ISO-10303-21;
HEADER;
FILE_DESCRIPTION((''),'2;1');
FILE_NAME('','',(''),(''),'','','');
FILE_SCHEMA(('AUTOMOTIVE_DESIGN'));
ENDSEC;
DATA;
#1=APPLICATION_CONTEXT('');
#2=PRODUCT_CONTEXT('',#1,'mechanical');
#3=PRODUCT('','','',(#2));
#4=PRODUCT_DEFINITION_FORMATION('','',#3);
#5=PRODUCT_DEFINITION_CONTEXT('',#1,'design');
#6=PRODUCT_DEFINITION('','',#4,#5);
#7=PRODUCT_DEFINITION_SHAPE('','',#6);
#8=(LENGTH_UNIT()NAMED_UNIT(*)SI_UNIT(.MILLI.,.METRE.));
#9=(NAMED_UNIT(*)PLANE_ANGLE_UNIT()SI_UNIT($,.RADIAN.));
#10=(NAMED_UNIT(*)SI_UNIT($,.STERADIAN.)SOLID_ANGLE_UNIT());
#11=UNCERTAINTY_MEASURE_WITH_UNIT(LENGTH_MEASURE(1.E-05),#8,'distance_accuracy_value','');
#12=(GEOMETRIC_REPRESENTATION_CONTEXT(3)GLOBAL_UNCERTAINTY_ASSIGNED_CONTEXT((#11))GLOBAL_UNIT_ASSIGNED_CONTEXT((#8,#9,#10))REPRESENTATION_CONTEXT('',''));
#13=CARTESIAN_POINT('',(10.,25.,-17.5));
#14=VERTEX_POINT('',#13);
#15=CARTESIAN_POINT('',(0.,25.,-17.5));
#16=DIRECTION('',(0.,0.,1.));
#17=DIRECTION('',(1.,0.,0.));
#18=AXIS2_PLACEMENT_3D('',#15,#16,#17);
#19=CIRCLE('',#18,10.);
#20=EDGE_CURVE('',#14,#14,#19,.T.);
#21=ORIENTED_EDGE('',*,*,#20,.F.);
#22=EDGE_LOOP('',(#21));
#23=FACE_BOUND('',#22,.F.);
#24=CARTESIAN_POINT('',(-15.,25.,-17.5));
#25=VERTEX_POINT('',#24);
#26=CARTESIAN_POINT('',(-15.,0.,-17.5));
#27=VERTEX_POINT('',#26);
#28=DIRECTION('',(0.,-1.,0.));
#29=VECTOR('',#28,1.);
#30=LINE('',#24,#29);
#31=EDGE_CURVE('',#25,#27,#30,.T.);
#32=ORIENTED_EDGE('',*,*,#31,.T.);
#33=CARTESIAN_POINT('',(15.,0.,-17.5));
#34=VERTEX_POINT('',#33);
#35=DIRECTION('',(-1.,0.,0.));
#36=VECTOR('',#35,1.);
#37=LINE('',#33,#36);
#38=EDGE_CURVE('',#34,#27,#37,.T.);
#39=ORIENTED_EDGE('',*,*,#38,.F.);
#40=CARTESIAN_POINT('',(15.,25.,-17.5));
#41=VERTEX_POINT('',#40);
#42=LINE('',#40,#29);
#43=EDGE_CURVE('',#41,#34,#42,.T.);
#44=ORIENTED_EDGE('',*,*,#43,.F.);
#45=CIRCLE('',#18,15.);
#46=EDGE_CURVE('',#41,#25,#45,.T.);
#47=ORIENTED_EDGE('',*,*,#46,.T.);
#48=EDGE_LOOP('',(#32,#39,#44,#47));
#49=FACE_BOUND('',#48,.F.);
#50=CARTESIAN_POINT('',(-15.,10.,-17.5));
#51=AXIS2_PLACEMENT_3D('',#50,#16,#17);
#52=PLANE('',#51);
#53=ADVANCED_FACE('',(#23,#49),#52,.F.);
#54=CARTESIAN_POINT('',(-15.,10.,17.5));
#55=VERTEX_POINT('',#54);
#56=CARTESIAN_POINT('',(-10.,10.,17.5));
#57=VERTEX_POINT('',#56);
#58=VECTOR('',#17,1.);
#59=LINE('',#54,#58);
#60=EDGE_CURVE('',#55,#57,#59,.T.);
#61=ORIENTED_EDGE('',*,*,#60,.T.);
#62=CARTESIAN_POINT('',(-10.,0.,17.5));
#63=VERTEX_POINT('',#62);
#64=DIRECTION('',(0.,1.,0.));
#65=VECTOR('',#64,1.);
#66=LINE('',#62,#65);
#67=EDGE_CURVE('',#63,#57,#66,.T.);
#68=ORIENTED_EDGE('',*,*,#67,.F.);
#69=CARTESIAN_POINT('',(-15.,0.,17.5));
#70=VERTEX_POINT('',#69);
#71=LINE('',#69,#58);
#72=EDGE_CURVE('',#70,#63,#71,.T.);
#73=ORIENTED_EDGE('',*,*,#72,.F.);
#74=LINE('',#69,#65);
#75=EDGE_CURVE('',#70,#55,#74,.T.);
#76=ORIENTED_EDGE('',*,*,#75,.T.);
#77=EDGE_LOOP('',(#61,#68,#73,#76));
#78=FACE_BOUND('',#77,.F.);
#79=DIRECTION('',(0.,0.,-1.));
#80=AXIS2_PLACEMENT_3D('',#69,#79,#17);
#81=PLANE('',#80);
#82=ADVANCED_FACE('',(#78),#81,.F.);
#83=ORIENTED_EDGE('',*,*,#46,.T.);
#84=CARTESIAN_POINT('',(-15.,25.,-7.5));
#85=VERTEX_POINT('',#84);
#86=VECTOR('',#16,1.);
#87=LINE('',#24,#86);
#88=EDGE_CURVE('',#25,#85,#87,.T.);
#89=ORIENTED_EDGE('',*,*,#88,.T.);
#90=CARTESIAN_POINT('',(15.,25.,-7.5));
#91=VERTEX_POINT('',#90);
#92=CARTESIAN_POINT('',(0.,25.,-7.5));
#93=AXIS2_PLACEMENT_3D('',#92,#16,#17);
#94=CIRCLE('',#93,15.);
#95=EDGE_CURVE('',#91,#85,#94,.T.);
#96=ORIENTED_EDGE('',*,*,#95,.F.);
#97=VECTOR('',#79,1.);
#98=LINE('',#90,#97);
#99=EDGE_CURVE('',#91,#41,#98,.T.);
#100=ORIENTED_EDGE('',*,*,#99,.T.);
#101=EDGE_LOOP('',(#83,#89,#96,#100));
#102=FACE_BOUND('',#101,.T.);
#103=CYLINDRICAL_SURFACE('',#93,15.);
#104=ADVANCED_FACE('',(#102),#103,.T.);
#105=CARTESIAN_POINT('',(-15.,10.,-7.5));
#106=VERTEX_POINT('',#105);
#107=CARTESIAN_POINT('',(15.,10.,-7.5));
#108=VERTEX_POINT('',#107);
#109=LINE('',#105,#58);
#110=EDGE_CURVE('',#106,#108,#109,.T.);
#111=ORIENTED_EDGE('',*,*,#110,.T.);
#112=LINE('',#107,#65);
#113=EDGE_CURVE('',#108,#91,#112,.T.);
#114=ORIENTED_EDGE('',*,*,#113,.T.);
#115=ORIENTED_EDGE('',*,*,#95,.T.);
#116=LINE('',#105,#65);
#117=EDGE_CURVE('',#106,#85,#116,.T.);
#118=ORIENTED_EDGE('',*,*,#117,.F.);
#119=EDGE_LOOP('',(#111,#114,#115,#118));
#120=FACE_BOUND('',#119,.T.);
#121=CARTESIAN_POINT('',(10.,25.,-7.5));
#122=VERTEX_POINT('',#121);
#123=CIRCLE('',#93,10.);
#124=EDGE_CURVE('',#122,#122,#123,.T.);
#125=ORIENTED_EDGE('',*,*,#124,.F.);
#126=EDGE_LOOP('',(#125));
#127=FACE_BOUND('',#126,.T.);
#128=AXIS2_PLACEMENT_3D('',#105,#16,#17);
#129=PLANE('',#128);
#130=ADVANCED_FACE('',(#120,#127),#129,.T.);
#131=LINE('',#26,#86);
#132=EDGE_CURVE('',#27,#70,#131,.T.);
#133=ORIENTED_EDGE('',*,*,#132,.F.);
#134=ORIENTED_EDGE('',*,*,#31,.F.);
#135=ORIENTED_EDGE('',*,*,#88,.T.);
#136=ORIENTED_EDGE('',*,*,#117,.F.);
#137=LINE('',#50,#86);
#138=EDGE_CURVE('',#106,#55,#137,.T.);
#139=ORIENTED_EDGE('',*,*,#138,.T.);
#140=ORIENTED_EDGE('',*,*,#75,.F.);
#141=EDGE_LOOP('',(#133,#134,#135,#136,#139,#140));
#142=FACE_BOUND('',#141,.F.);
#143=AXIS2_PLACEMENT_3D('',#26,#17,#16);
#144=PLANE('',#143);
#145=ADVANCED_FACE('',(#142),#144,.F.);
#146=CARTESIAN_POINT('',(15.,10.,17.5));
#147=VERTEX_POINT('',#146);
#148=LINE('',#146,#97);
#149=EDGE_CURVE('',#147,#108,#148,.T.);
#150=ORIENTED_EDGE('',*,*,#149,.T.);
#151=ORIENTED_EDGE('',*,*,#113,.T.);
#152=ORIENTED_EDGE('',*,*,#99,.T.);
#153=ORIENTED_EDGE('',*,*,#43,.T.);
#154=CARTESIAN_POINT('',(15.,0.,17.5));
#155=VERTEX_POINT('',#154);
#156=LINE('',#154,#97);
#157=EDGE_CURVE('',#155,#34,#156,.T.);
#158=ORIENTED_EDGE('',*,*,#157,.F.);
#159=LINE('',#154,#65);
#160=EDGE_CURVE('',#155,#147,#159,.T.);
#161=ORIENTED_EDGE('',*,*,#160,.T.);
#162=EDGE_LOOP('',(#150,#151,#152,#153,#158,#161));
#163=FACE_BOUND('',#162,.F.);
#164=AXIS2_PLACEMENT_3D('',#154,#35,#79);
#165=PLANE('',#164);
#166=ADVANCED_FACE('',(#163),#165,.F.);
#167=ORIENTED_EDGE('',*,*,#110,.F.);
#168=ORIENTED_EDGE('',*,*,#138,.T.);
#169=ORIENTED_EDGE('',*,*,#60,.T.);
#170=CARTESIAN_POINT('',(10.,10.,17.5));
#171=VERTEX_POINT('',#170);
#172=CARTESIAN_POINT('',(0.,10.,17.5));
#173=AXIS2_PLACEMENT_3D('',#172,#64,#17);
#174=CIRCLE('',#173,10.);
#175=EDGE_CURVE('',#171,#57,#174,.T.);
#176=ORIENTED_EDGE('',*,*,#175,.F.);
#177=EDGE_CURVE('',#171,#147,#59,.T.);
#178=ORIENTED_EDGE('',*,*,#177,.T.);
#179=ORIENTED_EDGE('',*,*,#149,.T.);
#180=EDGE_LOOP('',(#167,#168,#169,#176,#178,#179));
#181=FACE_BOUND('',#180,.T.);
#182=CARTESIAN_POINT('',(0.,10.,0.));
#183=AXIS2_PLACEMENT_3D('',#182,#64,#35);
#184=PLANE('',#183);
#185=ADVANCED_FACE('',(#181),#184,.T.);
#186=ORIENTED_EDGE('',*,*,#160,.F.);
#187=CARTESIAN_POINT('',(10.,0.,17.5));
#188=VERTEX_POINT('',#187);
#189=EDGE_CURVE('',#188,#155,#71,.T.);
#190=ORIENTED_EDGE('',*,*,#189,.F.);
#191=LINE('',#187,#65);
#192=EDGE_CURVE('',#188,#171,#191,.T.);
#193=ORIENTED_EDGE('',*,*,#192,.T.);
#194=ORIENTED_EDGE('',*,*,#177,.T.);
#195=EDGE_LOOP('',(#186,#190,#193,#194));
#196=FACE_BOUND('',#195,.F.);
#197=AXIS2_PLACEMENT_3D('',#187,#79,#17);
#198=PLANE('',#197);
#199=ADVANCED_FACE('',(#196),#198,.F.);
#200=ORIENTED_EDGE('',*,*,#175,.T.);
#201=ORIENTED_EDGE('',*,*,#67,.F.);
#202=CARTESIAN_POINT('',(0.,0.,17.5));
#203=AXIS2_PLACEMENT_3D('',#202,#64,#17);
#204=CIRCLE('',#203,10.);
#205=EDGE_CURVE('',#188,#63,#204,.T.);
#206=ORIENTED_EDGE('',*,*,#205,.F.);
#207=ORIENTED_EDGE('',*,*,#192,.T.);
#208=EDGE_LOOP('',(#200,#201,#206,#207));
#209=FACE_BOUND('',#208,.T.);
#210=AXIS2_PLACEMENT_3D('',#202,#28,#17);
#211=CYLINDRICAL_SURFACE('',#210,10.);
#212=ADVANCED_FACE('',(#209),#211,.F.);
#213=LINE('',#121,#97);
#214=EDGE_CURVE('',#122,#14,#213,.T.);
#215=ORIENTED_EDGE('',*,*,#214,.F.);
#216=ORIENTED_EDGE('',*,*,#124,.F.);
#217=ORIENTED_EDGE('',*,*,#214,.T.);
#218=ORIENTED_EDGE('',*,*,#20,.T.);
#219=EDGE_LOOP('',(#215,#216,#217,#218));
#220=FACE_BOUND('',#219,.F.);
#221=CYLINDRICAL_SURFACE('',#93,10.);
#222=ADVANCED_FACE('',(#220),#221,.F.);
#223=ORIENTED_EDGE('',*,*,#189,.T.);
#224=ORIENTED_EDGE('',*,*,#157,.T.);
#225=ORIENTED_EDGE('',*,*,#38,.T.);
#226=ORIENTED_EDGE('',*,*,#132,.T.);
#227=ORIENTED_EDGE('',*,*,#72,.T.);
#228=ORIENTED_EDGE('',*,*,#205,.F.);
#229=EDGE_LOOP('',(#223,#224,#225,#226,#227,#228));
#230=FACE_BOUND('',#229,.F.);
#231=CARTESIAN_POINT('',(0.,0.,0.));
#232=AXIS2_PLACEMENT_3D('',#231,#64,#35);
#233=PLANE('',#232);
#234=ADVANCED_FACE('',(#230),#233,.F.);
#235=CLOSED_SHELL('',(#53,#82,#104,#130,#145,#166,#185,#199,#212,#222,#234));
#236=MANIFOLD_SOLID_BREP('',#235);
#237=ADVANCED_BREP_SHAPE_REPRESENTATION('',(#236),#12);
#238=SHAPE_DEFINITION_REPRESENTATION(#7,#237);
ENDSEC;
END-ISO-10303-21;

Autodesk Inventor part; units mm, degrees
ref_plane "YZ Plane" through (0, 0, 0) normal (1, 0, 0) x (0, 1, 0)
ref_plane "XZ Plane" through (0, 0, 0) normal (0, 1, 0) x (-1, 0, 0)
ref_plane "XY Plane" through (0, 0, 0) normal (0, 0, 1) x (1, 0, 0)
sketch "Sketch1" plane through (0, 0, 0) normal (0, 1, 0) x (-1, 0, 0)
  line L0 (15, 17.5) -> (-15, 17.5)
  line L1 (-15, 17.5) -> (-15, -17.5)
  line L2 (-15, -17.5) -> (15, -17.5)
  line L3 (15, -17.5) -> (15, 17.5)
  line L4 (15, 17.5) -> (-15, -17.5) construction
  line L5 (-15, 17.5) -> (15, -17.5) construction
  arc A0 (-10, 17.5) -> (10, 17.5) centre (0, 17.5) ccw
  point P0 (0, 0)
  dimension "d0" = 30
  dimension "d1" = 35
  dimension "d2" = 20
extrude "Extrusion1" add sketch "Sketch1" along normal blind 10 contours L3 L2 L1 L0 A0
sketch "Sketch2" plane through (0, 10, 0) normal (0, 1, 0) x (1, 0, 0)
  line L0 (15, 17.5) -> (-15, 17.5) projected
  line L1 (15, 17.5) -> (-15, 17.5)
  line L2 (-15, 17.5) -> (-15, 7.5)
  line L3 (-15, 7.5) -> (15, 7.5)
  line L4 (15, 7.5) -> (15, 17.5)
  point P0 (0, 0)
  dimension "d5" = 30
  dimension "d6" = 10
extrude "Extrusion2" add sketch "Sketch2" along normal blind 15
sketch "Sketch3" plane through (-15, 10, -7.5) normal (0, 0, 1) x (1, 0, 0)
  line L0 (0, 15) -> (30, 15) projected
  arc A0 (30, 15) -> (0, 15) centre (15, 15) ccw
  point P0 (15, -10)
extrude "Extrusion3" add sketch "Sketch3" against normal blind 10
sketch "Sketch4" plane through (-15, 10, -7.5) normal (0, 0, 1) x (1, 0, 0)
  arc A0 (30, 15) -> (0, 15) centre (15, 15) ccw projected
  circle A1 centre (15, 15) radius 10
  point P0 (15, -10)
  dimension "d12" = 20
extrude "Extrusion4" cut sketch "Sketch4" against normal blind 10
properties part number "atividade"
